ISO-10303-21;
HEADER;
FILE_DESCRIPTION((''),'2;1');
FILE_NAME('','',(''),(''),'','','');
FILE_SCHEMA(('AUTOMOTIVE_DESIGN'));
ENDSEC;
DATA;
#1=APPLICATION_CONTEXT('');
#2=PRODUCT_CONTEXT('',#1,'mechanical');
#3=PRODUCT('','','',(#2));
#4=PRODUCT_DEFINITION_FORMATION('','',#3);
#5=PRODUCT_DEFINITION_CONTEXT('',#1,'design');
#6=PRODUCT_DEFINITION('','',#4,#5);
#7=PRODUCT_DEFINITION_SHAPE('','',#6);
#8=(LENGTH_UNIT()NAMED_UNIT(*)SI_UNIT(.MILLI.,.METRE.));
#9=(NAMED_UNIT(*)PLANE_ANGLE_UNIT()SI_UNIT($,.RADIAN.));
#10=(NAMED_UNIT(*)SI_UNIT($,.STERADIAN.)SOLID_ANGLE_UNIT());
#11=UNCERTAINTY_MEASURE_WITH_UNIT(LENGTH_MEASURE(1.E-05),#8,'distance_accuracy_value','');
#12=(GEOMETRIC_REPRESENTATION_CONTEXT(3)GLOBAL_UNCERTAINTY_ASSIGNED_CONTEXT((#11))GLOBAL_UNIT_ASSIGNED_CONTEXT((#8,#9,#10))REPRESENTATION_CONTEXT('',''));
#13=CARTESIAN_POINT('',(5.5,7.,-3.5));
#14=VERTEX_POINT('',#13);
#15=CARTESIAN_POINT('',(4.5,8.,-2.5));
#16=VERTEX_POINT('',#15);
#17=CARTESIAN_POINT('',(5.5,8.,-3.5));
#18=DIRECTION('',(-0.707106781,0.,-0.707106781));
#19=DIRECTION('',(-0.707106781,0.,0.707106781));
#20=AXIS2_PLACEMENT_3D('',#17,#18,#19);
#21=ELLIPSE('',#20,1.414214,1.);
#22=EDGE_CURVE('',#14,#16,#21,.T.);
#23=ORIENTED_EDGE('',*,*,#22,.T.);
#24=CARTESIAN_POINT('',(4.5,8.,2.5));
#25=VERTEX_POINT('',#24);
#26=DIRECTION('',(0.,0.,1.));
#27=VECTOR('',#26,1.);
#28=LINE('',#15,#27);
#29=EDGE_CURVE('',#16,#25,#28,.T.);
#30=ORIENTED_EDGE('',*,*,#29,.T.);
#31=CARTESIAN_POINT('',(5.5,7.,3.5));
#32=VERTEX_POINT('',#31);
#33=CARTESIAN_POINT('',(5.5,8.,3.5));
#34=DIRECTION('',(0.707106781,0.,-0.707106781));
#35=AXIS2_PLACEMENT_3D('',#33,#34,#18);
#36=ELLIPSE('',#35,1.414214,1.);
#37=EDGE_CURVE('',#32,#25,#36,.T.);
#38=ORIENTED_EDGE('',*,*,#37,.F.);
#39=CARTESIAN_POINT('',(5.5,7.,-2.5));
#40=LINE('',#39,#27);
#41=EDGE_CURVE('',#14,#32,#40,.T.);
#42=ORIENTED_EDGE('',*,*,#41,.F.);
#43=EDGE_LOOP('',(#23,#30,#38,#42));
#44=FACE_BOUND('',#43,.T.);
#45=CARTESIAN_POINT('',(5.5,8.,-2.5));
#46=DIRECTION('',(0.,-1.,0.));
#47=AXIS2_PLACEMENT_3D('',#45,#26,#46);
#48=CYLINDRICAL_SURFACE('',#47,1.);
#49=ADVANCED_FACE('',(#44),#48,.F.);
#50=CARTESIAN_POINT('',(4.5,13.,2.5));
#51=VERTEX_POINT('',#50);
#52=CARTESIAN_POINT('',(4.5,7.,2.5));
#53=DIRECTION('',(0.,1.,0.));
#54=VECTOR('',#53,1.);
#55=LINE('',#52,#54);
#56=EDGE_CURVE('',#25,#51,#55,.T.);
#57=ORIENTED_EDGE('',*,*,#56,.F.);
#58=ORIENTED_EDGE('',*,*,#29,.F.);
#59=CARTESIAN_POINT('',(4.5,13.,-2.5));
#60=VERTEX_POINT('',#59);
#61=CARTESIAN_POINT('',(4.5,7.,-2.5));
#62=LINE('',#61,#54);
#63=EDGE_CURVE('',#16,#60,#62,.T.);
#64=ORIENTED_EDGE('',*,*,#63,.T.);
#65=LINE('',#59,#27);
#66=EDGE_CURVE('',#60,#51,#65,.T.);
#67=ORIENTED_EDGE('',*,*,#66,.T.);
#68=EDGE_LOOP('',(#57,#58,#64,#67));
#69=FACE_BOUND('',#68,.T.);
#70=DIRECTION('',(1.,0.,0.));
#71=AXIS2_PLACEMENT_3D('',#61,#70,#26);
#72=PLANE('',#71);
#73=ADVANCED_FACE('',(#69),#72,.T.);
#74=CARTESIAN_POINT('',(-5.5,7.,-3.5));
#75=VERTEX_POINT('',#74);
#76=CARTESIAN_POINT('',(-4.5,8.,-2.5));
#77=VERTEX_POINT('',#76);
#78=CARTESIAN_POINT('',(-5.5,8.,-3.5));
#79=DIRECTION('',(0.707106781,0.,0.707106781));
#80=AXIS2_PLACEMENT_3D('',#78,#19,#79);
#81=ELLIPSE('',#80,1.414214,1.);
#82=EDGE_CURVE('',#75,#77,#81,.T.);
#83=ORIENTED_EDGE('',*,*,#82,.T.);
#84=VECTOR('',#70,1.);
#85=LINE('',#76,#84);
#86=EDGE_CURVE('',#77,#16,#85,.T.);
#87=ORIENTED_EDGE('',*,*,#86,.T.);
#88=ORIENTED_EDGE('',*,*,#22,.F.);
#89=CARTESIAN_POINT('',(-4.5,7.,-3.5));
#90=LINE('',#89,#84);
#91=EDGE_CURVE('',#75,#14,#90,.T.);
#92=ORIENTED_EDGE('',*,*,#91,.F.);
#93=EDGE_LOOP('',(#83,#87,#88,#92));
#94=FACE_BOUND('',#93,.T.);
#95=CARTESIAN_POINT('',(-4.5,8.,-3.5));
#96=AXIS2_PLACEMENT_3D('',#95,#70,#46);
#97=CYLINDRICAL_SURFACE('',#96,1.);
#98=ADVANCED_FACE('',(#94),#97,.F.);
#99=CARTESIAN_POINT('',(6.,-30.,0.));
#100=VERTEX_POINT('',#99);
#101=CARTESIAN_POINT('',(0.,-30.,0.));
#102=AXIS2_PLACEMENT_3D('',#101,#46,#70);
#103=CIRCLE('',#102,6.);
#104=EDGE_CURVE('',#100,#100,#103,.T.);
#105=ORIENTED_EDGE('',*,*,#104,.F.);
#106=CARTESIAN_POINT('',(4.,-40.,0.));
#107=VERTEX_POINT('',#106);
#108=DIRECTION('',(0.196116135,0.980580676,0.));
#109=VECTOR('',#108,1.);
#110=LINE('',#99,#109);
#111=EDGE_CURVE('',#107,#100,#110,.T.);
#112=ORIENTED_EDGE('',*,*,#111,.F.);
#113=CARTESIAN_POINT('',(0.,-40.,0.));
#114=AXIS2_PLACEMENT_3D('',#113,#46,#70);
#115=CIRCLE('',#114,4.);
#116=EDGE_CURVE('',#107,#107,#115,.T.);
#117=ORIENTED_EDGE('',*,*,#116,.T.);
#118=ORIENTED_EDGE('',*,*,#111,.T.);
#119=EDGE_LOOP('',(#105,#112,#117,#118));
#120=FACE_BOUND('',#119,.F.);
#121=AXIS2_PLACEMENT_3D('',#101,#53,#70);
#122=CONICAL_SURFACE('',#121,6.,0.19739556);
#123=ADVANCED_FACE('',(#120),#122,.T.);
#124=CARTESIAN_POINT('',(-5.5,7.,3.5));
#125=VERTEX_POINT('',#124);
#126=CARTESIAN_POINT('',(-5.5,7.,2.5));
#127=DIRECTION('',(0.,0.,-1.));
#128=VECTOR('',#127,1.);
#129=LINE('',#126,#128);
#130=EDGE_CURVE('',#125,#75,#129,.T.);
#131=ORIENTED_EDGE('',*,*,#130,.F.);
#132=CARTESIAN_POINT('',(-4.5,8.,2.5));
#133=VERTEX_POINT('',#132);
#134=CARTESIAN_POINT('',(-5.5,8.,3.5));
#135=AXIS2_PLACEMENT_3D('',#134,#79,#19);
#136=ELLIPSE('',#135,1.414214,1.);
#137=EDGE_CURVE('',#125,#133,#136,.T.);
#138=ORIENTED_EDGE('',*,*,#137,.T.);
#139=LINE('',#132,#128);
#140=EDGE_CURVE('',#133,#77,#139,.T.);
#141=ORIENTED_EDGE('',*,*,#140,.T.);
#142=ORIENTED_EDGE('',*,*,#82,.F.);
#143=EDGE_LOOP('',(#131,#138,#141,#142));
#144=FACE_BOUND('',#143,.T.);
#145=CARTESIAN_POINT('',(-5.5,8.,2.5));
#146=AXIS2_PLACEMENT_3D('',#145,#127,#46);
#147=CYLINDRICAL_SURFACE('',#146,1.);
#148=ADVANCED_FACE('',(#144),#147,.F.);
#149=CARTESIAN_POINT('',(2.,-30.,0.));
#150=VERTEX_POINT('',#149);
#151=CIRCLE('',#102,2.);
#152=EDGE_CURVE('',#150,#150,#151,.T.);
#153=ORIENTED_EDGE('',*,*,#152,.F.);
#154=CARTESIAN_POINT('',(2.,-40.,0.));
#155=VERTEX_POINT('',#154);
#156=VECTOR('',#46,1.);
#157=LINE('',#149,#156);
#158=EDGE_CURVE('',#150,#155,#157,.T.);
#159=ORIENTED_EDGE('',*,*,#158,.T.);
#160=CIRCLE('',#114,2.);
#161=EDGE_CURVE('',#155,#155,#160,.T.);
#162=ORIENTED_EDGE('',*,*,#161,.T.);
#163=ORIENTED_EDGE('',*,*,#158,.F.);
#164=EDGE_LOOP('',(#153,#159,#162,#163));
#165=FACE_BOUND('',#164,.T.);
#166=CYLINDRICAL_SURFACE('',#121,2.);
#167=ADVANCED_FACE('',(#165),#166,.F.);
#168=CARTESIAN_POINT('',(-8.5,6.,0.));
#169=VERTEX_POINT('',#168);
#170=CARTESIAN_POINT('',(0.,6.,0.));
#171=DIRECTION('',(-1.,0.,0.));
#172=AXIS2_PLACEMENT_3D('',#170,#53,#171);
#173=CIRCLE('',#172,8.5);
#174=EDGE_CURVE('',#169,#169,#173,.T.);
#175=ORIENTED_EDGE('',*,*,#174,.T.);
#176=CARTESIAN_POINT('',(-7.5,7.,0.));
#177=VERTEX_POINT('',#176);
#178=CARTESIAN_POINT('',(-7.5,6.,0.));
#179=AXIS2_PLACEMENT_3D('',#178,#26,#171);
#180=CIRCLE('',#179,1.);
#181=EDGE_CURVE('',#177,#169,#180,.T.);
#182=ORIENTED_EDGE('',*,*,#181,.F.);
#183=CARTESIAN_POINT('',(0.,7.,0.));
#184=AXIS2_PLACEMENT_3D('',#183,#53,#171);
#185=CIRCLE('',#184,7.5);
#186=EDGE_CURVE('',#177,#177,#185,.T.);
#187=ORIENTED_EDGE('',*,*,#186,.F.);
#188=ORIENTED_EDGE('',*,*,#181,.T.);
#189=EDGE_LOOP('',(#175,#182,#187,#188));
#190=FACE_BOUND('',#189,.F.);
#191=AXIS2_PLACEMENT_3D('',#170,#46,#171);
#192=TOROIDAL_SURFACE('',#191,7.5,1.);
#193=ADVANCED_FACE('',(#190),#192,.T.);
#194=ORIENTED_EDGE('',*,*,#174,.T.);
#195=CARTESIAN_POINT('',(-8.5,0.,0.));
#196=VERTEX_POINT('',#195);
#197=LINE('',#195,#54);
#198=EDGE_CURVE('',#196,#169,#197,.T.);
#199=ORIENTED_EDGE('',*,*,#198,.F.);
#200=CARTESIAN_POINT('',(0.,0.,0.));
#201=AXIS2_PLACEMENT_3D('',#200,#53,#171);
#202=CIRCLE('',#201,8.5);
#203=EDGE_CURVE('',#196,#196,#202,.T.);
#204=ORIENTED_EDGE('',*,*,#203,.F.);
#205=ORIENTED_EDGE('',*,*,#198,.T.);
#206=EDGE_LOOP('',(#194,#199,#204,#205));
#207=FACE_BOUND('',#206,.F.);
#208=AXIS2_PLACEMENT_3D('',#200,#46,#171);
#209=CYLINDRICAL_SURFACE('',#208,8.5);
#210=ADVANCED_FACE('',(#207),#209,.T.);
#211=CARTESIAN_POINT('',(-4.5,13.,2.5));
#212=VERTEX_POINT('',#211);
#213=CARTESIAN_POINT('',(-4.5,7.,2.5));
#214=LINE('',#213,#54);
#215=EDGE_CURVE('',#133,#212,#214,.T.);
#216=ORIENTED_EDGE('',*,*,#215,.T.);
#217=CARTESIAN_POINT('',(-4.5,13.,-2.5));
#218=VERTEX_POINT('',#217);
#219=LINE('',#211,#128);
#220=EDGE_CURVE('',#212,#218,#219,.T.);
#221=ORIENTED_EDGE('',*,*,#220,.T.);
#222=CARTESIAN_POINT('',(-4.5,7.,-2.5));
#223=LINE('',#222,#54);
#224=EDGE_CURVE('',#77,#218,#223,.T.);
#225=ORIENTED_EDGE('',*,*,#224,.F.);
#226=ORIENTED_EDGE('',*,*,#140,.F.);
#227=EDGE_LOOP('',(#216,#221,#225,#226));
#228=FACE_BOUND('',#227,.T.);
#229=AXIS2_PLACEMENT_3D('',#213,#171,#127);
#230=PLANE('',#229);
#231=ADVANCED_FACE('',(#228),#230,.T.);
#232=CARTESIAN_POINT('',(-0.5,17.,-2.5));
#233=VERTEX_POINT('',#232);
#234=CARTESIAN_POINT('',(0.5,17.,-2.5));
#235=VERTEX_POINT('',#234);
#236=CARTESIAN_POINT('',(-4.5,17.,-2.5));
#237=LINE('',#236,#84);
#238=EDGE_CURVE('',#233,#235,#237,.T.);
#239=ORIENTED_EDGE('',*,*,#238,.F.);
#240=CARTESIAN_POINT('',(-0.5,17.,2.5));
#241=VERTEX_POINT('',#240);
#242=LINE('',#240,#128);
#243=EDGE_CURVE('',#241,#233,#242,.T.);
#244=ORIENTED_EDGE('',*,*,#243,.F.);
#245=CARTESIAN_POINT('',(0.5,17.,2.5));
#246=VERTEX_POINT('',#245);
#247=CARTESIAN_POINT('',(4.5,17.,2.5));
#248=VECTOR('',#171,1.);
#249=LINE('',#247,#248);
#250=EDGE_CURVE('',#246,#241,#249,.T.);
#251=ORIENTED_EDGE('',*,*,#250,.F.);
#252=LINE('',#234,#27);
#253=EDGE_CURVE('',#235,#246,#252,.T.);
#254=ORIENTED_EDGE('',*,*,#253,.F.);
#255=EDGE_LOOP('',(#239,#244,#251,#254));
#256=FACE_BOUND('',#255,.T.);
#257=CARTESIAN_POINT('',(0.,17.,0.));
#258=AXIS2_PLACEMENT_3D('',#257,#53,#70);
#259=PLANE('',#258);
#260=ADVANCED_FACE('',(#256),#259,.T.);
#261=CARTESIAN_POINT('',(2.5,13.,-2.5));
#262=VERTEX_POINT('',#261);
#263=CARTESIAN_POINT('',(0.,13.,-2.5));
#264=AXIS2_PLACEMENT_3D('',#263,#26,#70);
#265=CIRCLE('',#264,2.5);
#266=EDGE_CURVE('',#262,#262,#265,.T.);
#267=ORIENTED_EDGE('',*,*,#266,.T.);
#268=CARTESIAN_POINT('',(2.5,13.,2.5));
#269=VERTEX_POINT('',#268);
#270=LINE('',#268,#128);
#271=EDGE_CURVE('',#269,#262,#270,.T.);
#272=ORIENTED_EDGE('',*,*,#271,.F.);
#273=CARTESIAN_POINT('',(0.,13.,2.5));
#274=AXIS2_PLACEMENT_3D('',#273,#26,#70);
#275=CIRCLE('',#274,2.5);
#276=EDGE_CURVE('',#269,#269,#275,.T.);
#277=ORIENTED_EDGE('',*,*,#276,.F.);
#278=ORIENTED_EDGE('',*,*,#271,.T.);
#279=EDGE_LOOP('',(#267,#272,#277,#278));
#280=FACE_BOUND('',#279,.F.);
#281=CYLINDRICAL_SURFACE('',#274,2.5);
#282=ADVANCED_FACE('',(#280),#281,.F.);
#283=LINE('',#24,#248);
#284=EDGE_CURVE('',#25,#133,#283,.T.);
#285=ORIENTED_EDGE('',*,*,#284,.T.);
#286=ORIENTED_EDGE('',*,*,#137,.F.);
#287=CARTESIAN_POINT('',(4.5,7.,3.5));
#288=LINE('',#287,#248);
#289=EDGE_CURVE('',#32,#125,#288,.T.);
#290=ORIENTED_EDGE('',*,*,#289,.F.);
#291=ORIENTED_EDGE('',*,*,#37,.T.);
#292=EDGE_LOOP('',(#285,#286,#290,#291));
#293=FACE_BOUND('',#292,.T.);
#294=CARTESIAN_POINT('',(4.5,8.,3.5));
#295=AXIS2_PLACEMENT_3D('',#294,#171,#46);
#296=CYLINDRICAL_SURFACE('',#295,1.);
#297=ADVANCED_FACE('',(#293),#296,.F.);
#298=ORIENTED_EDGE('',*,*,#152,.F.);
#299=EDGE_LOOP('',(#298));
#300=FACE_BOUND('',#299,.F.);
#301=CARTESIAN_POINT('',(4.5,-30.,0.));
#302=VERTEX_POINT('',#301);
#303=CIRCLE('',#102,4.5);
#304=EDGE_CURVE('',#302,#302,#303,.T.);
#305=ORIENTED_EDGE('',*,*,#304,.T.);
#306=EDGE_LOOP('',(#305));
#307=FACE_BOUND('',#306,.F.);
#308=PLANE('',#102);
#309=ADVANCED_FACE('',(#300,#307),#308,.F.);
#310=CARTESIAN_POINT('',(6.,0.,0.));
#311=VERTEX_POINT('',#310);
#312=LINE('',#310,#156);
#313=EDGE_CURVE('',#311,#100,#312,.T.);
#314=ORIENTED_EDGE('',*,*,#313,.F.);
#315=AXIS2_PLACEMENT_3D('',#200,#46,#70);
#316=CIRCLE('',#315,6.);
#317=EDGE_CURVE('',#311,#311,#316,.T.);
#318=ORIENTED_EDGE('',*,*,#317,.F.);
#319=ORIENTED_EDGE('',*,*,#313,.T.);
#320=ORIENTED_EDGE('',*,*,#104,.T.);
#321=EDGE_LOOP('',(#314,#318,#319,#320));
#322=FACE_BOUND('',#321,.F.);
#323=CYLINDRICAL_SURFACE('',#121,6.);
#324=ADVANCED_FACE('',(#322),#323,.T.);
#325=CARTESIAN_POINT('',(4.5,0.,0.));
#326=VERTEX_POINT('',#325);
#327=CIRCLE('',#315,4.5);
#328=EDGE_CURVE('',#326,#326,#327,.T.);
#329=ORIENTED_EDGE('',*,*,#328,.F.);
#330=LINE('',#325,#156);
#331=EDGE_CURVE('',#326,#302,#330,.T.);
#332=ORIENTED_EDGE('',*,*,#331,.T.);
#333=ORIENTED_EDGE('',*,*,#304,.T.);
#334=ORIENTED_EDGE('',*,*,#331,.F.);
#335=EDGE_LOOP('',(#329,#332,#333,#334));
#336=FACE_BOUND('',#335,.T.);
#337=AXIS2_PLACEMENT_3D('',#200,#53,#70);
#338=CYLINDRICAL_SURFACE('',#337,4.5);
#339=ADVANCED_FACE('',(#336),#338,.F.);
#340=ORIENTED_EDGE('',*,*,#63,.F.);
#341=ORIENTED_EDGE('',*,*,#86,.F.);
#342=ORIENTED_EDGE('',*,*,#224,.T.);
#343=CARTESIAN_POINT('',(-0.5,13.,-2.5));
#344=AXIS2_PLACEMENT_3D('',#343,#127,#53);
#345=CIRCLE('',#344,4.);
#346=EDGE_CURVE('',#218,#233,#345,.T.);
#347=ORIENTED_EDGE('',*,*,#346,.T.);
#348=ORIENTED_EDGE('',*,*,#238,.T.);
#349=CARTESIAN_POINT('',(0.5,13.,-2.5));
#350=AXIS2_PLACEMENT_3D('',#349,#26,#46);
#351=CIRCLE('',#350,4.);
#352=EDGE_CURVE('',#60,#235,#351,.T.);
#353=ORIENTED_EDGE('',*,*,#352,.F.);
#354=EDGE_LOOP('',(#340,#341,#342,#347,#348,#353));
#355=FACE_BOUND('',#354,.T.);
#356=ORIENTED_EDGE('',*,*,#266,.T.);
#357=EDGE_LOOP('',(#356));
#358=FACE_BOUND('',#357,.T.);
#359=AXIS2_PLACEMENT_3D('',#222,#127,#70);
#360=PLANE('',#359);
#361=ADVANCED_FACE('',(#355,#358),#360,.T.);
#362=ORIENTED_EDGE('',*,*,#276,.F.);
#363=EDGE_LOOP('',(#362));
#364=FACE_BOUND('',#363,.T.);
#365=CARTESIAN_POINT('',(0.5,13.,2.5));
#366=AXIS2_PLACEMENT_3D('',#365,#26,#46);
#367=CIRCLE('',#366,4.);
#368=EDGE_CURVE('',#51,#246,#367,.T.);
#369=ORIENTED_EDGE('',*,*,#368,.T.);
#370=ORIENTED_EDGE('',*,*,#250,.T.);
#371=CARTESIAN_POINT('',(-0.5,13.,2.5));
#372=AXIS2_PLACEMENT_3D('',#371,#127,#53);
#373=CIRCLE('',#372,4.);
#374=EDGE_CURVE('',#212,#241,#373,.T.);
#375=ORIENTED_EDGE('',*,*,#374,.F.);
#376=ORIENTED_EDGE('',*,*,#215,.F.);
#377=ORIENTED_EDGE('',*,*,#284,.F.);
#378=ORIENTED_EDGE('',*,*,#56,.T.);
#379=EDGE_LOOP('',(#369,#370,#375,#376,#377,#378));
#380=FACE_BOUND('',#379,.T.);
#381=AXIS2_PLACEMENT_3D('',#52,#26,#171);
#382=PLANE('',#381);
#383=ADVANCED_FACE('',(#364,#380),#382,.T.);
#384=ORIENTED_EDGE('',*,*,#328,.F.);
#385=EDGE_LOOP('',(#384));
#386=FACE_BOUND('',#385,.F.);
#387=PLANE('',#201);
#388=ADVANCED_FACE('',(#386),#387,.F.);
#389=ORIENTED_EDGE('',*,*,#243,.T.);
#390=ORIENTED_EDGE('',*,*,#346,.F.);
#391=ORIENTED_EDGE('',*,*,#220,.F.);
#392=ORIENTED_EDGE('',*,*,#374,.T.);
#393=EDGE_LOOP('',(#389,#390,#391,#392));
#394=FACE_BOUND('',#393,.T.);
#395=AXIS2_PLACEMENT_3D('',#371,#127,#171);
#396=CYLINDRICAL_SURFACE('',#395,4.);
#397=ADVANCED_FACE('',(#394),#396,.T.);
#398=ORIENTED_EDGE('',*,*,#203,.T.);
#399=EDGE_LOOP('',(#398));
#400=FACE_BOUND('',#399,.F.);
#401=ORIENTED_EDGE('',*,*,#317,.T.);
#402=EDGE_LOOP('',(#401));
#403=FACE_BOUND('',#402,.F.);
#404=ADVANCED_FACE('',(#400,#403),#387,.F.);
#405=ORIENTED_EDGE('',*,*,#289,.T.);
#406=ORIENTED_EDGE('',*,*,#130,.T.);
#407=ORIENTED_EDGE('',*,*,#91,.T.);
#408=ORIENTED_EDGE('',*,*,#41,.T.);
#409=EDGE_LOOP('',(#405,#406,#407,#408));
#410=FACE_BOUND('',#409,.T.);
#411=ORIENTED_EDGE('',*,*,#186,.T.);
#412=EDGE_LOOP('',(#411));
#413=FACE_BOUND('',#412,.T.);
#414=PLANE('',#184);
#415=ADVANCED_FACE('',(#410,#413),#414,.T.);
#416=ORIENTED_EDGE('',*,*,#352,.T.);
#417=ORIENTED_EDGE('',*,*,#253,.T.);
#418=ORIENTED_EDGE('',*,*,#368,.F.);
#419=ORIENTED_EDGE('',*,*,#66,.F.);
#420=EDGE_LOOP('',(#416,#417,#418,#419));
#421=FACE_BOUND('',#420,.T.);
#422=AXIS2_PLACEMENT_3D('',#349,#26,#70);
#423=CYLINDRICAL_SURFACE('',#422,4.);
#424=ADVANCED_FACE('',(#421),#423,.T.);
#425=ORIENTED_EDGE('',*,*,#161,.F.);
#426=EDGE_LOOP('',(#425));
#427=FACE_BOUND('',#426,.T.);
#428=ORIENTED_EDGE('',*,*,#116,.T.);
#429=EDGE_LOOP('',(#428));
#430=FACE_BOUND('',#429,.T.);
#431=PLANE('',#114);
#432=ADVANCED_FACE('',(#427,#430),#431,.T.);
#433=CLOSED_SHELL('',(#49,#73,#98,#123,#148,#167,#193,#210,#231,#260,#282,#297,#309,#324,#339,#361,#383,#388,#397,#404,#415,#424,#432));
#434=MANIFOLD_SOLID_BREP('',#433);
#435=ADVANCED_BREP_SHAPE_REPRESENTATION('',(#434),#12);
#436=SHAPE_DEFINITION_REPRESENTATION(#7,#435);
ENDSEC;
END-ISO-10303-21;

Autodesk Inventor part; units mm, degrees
ref_plane "YZ Plane" through (0, 0, 0) normal (1, 0, 0) x (0, 1, 0)
ref_plane "XZ Plane" through (0, 0, 0) normal (0, 1, 0) x (-1, 0, 0)
ref_plane "XY Plane" through (0, 0, 0) normal (0, 0, 1) x (1, 0, 0)
sketch "Szkic1" plane through (0, 0, 0) normal (0, 1, 0) x (-1, 0, 0)
  circle A0 centre (0, 0) radius 8.5
  dimension "d0" = 17
extrude "Wyciągnięcie proste1" add sketch "Szkic1" along normal blind 7
sketch "Szkic2" plane through (0, 7, 0) normal (0, 1, 0) x (1, 0, 0)
  line L0 (4.5, -2.5) -> (-4.5, -2.5)
  line L1 (-4.5, -2.5) -> (-4.5, 2.5)
  line L2 (-4.5, 2.5) -> (4.5, 2.5)
  line L3 (4.5, 2.5) -> (4.5, -2.5)
  line L4 (4.5, -2.5) -> (-4.5, 2.5) construction
  line L5 (-4.5, -2.5) -> (4.5, 2.5) construction
  point P0 (0, 0)
  dimension "d3" = 9
  dimension "d4" = 5
extrude "Wyciągnięcie proste2" add sketch "Szkic2" along normal blind 10
fillet "Zaokrąglenie1" radius 4 2 edges at (4.5, 17, 0) (-4.5, 17, 0)
sketch "Szkic3" plane through (-4.5, 7, 2.5) normal (0, 0, 1) x (1, 0, 0)
  arc A0 (9, 6) -> (5, 10) centre (5, 6) ccw projected
  arc A1 (4, 10) -> (0, 6) centre (4, 6) ccw projected
  circle A2 centre (4.5, 6) radius 2.5
  point P0 (4.5, -7)
  dimension "d8" = 5
extrude "Wyciągnięcie proste3" cut sketch "Szkic3" against normal blind 10
fillet "Zaokrąglenie2" radius 1 1 edges at (8.5, 7, 0)
fillet "Zaokrąglenie3" radius 1 4 edges at (0, 7, 2.5) (4.5, 7, 0) (0, 7, -2.5) (-4.5, 7, 0)
sketch "Szkic4" plane through (0, 0, 0) normal (0, -1, 0) x (1, 0, 0)
  circle A0 centre (0, 0) radius 6
  circle A1 centre (0, 0) radius 4.5
  dimension "d13" = 12
  dimension "d21" = 9
extrude "Wyciągnięcie proste4" add sketch "Szkic4" along normal blind 30 from surface at 0
thread "Gwint1" size "M12x1.75" class "6g" standard "ANSI Metric M Profile" length 15
sketch "Szkic5" plane through (0, -30, 0) normal (0, -1, 0) x (1, 0, 0)
  circle A0 centre (0, 0) radius 2
  circle A1 centre (0, 0) radius 6
  dimension "d22" = 4
extrude "Wyciągnięcie proste5" add sketch "Szkic5" along normal blind 10
chamfer "Faza2" distance 2 distance2 10 1 edges at (-6, -40, 0) measured on face at (4.5892, -40, -0.6382)
properties part number "Korpus" material "Aluminum 6061"
